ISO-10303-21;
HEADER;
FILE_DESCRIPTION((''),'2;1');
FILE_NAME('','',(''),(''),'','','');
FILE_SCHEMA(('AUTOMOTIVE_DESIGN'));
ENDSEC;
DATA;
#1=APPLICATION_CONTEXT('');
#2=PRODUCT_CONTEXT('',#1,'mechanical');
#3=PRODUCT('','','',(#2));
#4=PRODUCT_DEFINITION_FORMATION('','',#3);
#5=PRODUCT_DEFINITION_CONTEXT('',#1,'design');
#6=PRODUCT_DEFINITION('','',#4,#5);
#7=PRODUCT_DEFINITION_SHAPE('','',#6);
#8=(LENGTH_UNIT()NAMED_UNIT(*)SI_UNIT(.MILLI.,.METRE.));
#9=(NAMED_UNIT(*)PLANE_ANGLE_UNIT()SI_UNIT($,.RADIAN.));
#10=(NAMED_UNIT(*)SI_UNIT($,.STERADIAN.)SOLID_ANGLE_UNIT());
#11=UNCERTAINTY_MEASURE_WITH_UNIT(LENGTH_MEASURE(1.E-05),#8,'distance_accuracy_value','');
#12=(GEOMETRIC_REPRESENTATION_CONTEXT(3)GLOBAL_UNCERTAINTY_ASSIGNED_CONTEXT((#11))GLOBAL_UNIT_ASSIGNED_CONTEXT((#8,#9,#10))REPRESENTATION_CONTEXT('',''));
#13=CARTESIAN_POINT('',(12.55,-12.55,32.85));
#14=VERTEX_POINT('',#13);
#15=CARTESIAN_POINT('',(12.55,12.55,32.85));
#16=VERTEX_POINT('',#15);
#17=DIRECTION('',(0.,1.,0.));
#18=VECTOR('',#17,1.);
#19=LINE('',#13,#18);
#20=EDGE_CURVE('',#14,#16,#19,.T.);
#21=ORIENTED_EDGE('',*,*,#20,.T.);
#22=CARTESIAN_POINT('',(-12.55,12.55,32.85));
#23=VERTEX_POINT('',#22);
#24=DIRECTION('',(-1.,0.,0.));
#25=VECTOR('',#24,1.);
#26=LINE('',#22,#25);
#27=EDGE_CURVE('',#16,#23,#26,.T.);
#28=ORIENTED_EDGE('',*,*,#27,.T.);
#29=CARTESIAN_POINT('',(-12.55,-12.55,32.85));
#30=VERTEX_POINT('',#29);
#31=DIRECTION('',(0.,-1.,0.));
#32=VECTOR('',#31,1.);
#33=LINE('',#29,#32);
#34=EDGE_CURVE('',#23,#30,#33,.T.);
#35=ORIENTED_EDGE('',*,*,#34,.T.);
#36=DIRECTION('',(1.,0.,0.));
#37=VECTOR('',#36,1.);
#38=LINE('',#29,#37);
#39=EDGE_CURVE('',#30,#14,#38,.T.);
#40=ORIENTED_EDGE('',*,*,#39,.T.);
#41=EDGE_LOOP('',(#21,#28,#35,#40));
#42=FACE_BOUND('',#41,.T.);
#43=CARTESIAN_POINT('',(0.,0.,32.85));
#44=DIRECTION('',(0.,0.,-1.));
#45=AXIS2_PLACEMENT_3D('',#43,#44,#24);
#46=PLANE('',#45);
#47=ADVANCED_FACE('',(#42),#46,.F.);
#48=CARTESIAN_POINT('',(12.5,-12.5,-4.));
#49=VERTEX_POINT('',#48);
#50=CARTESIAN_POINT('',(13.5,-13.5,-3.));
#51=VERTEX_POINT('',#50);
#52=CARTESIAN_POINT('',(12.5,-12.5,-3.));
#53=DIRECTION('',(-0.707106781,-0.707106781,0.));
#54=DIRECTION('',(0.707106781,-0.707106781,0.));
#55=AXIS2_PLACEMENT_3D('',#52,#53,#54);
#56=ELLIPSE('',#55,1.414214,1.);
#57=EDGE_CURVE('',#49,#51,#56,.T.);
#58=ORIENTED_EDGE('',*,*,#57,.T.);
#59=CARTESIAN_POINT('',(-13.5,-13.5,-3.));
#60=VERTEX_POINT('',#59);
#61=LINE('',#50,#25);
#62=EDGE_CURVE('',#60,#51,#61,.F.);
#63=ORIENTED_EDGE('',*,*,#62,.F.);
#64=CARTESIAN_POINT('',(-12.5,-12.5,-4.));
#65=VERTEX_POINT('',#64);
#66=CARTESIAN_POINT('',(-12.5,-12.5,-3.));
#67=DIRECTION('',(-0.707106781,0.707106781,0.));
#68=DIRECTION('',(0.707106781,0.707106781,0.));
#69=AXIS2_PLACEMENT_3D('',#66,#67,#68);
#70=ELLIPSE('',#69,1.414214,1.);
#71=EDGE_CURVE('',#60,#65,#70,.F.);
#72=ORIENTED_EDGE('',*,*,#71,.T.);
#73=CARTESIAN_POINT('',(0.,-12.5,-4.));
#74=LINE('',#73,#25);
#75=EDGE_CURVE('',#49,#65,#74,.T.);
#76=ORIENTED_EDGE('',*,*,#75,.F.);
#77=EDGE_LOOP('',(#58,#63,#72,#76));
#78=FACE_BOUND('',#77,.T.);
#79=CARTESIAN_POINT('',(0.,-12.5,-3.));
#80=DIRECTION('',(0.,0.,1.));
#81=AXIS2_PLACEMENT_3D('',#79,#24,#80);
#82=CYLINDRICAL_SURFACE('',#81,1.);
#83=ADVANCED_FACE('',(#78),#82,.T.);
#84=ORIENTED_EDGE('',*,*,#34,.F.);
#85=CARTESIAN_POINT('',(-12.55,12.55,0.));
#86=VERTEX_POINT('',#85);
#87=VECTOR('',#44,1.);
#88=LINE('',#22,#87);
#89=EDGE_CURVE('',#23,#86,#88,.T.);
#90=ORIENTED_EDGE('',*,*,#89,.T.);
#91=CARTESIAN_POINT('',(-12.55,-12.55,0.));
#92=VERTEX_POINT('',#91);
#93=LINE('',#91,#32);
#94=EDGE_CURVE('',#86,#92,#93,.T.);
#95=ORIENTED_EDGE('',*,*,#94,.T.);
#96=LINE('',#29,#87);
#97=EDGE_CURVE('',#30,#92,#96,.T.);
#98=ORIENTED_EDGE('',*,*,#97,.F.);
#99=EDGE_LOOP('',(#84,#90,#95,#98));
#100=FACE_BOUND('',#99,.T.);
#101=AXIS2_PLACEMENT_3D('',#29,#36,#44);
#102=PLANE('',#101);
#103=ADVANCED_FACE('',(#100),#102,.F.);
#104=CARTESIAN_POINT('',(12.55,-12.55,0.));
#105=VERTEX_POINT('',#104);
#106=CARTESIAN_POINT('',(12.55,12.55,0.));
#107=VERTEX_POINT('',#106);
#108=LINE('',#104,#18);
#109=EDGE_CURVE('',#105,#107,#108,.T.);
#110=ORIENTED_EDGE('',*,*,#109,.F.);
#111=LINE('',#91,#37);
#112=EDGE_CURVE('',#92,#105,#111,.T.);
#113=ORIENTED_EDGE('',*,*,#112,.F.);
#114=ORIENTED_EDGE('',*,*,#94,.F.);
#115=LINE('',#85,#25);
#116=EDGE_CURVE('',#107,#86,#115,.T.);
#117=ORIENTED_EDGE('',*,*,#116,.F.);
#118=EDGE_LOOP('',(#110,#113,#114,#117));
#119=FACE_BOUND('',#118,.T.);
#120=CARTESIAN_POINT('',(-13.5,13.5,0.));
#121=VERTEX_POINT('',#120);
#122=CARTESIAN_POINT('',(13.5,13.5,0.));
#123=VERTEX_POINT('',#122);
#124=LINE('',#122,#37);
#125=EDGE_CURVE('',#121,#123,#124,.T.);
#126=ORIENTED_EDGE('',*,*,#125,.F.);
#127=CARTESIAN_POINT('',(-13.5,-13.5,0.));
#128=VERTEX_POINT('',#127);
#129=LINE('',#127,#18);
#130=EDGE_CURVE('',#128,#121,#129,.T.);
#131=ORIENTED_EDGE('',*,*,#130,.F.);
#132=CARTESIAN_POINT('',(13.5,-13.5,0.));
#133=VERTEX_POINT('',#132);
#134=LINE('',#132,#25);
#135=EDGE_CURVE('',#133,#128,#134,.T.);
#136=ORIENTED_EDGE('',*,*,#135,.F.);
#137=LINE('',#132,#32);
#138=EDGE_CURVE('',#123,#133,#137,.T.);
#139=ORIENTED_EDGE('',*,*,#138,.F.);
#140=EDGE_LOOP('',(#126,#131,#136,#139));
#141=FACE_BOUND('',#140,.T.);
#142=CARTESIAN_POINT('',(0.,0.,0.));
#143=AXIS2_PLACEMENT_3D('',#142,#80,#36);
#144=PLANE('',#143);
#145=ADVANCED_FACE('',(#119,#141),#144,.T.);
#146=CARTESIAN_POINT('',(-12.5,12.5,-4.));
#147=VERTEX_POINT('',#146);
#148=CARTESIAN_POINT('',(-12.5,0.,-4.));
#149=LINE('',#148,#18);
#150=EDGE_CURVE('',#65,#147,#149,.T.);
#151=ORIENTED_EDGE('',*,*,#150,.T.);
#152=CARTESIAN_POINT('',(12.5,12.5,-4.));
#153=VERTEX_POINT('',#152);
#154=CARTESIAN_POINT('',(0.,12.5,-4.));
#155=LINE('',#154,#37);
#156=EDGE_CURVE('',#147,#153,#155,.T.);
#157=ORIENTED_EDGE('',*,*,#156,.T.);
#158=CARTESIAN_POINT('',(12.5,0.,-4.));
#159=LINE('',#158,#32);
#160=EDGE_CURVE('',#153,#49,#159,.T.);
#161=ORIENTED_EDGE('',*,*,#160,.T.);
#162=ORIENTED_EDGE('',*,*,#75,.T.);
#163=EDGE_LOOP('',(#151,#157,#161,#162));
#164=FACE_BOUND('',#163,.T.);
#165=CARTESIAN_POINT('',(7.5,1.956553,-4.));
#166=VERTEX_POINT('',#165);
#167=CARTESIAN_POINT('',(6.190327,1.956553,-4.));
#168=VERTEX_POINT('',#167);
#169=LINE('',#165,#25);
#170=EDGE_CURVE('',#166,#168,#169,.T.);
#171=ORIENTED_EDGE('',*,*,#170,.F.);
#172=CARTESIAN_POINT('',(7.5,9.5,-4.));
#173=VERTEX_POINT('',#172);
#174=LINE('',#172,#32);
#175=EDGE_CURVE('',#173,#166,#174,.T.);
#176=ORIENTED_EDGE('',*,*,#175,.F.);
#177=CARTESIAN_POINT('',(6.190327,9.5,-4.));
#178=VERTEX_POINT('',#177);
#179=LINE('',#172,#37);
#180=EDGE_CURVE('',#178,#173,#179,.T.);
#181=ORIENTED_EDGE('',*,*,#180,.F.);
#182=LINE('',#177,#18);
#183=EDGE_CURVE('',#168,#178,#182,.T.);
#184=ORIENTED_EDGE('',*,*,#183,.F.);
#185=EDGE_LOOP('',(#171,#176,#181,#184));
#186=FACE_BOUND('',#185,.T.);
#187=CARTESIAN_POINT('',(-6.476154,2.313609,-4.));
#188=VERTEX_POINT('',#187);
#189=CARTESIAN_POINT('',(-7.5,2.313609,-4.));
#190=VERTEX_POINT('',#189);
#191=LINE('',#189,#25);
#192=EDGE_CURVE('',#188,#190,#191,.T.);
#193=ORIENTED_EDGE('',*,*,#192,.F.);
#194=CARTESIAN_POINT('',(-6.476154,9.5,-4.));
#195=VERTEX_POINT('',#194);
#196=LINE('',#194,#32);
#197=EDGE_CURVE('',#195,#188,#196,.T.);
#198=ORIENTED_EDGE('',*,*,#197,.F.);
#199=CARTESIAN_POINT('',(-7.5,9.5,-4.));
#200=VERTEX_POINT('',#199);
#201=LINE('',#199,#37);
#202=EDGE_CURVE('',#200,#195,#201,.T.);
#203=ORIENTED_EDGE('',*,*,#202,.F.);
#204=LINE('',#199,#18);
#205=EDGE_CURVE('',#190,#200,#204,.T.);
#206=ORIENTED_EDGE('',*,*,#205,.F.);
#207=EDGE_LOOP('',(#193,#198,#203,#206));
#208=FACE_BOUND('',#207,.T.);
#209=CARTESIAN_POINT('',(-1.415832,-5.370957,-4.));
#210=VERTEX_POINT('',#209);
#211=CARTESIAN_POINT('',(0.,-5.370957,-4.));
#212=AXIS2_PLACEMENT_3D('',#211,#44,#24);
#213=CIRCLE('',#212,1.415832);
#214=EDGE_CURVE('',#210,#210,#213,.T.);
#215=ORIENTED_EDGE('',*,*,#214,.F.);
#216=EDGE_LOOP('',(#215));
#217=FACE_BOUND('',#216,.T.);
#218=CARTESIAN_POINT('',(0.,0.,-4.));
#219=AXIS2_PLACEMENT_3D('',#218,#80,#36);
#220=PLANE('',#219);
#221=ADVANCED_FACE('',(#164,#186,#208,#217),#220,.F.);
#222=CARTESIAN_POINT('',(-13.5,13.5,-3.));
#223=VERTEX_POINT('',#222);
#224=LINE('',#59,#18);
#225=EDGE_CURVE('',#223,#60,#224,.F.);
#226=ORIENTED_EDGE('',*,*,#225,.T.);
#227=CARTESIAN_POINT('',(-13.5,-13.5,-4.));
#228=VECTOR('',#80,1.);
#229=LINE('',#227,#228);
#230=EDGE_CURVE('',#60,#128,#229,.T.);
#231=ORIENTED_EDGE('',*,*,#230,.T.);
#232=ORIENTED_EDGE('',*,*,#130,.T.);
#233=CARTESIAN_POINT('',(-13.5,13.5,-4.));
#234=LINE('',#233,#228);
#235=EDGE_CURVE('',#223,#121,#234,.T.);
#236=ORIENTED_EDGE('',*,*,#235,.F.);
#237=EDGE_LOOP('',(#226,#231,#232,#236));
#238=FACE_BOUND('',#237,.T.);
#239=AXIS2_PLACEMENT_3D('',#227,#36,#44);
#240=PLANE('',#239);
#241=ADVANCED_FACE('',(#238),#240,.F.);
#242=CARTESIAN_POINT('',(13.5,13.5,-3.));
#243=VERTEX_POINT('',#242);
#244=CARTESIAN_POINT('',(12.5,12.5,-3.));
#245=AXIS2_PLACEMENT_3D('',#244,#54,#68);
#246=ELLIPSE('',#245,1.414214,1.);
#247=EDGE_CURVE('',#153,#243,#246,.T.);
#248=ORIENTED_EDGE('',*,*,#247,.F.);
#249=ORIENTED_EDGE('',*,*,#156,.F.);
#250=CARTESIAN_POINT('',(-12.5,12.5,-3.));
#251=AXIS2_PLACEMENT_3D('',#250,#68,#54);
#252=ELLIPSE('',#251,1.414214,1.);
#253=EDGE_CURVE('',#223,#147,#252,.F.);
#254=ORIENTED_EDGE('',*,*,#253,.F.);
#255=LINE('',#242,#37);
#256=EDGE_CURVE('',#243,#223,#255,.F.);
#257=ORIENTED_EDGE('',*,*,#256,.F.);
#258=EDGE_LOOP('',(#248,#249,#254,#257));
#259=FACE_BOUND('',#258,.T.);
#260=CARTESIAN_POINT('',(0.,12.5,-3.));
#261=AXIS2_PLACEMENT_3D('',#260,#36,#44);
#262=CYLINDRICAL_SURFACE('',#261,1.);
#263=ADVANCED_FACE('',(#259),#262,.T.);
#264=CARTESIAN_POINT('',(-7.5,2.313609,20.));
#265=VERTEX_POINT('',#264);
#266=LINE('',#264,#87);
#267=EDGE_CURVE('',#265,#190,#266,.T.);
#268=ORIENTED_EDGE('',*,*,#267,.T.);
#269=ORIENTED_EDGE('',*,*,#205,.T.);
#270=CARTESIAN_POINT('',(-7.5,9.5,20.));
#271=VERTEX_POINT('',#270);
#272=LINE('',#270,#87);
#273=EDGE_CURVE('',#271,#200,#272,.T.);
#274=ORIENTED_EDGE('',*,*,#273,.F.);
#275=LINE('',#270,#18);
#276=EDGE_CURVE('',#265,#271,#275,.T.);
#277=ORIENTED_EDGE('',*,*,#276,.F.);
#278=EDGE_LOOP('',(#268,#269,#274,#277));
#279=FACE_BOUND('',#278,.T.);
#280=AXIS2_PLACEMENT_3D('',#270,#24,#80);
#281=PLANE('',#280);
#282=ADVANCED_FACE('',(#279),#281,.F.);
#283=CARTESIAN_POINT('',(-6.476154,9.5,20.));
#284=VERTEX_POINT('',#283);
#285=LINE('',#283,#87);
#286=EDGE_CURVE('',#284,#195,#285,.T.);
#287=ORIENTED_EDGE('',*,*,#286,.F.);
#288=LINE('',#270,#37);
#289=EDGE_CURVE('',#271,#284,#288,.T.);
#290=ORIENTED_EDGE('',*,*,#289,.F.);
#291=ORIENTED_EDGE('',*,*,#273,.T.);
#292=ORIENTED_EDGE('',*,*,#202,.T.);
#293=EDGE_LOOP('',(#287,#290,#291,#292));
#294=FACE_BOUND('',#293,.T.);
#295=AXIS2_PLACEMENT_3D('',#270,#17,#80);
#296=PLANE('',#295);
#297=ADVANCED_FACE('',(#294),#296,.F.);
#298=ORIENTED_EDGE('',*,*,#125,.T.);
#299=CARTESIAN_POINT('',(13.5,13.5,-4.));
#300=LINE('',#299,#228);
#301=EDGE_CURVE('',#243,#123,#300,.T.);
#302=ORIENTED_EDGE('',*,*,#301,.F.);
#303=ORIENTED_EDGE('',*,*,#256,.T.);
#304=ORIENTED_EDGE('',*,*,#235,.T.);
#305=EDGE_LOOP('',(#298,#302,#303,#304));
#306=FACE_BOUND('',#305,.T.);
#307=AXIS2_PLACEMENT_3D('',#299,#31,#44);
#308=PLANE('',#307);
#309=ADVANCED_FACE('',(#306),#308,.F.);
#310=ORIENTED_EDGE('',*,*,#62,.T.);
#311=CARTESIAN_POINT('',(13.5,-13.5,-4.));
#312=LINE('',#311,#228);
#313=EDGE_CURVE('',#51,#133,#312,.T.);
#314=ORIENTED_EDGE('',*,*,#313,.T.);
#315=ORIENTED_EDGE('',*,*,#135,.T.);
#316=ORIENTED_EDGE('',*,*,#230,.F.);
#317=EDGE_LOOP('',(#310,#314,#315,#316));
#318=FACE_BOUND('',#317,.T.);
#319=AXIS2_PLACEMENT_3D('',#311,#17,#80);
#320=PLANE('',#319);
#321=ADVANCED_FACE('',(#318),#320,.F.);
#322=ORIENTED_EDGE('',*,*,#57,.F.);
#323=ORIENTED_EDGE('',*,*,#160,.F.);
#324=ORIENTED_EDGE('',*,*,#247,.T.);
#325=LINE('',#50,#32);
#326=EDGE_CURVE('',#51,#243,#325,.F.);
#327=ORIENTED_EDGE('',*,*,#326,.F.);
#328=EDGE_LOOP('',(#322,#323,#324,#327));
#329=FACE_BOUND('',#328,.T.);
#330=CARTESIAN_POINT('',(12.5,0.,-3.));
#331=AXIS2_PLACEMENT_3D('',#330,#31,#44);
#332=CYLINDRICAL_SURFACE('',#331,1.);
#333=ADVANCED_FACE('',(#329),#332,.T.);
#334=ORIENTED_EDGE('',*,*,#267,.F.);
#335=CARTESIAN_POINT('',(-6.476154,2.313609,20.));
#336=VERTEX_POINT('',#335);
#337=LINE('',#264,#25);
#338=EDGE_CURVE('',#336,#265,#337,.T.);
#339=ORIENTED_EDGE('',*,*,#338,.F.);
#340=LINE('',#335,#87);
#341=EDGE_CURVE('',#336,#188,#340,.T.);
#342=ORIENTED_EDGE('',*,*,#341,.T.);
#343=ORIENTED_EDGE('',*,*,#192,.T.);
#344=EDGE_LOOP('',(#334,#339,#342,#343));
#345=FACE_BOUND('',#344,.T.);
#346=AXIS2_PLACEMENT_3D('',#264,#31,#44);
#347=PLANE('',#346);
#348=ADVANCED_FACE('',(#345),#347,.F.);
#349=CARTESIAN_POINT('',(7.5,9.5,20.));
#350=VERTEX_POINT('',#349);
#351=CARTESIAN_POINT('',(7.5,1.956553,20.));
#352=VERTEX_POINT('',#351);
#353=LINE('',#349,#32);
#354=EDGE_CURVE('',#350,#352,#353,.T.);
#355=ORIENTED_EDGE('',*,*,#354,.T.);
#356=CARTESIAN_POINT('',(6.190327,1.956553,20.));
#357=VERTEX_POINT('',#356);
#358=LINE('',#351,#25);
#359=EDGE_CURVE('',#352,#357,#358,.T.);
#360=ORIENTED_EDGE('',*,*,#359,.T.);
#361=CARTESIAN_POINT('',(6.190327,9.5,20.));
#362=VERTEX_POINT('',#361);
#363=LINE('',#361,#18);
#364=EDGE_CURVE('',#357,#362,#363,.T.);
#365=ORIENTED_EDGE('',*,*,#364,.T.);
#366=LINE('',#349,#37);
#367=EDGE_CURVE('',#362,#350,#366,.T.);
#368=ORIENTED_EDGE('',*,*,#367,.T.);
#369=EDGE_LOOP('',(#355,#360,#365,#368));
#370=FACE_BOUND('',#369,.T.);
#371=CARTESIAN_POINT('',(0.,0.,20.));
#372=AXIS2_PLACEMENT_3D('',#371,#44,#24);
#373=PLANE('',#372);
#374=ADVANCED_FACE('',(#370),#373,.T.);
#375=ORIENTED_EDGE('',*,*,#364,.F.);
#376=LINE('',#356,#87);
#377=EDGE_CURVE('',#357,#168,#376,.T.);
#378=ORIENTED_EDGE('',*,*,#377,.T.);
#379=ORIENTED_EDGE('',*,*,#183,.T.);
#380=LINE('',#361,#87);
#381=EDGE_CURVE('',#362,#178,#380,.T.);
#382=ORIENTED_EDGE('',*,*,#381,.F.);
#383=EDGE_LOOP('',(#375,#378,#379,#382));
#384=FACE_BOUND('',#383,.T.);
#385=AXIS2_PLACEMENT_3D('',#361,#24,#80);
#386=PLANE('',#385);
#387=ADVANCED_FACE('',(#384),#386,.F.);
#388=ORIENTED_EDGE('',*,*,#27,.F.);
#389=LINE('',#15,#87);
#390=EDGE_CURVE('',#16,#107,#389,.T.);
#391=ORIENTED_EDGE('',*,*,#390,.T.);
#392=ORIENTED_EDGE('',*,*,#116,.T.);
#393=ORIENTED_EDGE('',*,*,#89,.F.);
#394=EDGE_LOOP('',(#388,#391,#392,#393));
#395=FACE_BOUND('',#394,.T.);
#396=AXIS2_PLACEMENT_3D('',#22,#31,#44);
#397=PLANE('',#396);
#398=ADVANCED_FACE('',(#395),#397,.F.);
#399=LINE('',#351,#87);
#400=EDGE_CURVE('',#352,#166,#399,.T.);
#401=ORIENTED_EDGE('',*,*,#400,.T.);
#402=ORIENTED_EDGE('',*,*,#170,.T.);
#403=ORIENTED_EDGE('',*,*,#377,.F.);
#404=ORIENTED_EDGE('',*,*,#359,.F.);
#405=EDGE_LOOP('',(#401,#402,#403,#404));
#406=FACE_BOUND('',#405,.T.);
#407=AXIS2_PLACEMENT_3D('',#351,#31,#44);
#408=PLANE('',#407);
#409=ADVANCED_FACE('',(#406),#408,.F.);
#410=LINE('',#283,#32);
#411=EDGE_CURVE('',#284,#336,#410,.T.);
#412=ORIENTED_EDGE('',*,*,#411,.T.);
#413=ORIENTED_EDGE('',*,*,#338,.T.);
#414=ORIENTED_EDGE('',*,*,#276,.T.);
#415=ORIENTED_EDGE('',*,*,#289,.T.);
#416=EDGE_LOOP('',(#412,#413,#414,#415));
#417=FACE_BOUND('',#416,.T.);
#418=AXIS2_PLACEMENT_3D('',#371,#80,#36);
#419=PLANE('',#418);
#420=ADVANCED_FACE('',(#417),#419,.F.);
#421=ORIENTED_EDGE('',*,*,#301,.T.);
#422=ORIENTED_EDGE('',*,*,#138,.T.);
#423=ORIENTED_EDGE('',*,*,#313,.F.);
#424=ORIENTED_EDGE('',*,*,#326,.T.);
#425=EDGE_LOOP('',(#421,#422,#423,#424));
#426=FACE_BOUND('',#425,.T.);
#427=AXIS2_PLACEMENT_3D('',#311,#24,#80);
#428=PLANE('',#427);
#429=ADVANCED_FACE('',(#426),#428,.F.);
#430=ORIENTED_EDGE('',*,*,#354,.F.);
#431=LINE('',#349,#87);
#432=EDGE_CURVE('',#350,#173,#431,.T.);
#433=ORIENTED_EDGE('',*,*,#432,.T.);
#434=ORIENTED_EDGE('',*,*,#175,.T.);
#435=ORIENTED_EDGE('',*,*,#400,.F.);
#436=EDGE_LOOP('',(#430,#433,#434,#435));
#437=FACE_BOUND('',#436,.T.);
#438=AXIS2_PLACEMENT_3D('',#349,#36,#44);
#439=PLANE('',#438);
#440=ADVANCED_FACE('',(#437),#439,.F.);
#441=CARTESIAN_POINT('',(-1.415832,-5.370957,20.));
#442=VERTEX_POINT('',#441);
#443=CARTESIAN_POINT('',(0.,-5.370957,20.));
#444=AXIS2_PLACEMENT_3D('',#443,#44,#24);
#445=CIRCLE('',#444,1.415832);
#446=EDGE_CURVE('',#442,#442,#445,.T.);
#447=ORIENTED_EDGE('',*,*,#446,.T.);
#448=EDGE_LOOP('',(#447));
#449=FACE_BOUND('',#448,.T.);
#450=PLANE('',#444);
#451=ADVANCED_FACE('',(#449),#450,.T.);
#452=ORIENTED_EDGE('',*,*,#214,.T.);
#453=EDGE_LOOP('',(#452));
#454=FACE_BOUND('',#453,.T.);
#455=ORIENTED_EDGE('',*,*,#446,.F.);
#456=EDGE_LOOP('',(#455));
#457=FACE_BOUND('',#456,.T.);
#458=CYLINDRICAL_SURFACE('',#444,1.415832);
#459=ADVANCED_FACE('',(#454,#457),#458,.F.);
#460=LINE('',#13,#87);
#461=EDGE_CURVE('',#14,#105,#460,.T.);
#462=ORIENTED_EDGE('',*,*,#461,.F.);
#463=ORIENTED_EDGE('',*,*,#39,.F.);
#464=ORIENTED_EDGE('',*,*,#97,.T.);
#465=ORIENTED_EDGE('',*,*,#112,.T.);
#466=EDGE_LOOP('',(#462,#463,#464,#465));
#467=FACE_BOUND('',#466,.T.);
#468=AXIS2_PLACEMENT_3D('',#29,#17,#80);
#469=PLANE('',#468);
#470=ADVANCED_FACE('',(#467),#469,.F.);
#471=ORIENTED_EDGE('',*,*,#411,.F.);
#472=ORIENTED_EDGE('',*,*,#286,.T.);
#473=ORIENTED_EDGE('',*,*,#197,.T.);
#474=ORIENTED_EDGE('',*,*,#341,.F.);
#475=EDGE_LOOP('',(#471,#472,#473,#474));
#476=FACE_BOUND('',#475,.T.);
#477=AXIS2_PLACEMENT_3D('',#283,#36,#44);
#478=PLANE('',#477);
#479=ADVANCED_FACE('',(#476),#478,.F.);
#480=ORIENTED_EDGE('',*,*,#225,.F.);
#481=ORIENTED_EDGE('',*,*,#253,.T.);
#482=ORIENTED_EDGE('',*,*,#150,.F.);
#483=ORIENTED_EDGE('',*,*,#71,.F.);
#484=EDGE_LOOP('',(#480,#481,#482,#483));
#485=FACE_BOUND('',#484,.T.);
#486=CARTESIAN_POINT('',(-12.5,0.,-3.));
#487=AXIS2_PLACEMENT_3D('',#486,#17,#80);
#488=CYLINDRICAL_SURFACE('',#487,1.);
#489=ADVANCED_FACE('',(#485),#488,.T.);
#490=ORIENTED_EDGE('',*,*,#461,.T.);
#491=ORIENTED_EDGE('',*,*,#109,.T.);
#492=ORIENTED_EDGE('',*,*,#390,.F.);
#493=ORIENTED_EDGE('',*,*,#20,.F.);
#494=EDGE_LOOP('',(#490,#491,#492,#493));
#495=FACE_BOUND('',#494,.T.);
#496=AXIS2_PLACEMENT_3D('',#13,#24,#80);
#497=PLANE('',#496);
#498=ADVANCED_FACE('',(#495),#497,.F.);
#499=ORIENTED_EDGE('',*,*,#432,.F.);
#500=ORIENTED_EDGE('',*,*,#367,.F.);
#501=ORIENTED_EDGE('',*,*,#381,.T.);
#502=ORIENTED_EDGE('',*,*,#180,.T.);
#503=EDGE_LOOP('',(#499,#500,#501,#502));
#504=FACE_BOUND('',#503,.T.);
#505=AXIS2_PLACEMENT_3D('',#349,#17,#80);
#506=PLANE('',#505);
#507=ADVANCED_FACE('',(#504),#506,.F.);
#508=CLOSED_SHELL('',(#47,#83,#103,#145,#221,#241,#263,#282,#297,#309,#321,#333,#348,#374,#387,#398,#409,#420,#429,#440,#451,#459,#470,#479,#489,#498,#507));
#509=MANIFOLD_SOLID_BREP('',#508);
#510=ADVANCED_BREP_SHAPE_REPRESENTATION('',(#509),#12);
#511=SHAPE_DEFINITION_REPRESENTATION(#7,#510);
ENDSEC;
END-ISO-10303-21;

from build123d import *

# Parameters (mm, degrees)
SKETCH1_W           = 25.1
SKETCH1_H           = 25.1
BOSS_EXTRUDE1_DEPTH = 32.85
SKETCH2_W           = 27
SKETCH2_H           = 27
BOSS_EXTRUDE2_DEPTH = 4
FILLET1_R           = 1
SKETCH3_R           = 1.415831881
SKETCH3_W           = 1.309672559
SKETCH3_H           = 7.543446756
SKETCH3_W_2         = 1.023845508
SKETCH3_H_2         = 7.18639052
CUT_EXTRUDE1_DEPTH  = 24


with BuildPart() as part:
    # Sketch1 → Boss-Extrude1 (new body)
    with BuildSketch(Plane.XY):
        Rectangle(SKETCH1_W, SKETCH1_H)
    extrude(amount=BOSS_EXTRUDE1_DEPTH)

    # Sketch2 → Boss-Extrude2 (add)
    with BuildSketch(Plane(origin=(0, 0, 0), x_dir=(-1, 0, 0), z_dir=(0, 0, -1))):
        Rectangle(SKETCH2_W, SKETCH2_H)
    extrude(amount=BOSS_EXTRUDE2_DEPTH)

    # Fillet1
    fillet1_edges = [part.edges().sort_by_distance(p)[0] for p in [
        (-13.5, 0, -4),
        (0, 13.5, -4),
        (13.5, 0, -4),
        (0, -13.5, -4),
    ]]
    fillet(fillet1_edges, radius=FILLET1_R)

    # Sketch3 → Cut-Extrude1 (cut)
    with BuildSketch(Plane(origin=(0, 0, -4), x_dir=(-1, 0, 0), z_dir=(0, 0, -1))):
        with Locations((0, -5.370956585)):
            Circle(SKETCH3_R)
        with Locations((-6.845163721, 5.728276622)):
            Rectangle(SKETCH3_W, SKETCH3_H)
        with Locations((6.988077246, 5.90680474)):
            Rectangle(SKETCH3_W_2, SKETCH3_H_2)
    extrude(amount=-CUT_EXTRUDE1_DEPTH, mode=Mode.SUBTRACT)


solid = part.part
